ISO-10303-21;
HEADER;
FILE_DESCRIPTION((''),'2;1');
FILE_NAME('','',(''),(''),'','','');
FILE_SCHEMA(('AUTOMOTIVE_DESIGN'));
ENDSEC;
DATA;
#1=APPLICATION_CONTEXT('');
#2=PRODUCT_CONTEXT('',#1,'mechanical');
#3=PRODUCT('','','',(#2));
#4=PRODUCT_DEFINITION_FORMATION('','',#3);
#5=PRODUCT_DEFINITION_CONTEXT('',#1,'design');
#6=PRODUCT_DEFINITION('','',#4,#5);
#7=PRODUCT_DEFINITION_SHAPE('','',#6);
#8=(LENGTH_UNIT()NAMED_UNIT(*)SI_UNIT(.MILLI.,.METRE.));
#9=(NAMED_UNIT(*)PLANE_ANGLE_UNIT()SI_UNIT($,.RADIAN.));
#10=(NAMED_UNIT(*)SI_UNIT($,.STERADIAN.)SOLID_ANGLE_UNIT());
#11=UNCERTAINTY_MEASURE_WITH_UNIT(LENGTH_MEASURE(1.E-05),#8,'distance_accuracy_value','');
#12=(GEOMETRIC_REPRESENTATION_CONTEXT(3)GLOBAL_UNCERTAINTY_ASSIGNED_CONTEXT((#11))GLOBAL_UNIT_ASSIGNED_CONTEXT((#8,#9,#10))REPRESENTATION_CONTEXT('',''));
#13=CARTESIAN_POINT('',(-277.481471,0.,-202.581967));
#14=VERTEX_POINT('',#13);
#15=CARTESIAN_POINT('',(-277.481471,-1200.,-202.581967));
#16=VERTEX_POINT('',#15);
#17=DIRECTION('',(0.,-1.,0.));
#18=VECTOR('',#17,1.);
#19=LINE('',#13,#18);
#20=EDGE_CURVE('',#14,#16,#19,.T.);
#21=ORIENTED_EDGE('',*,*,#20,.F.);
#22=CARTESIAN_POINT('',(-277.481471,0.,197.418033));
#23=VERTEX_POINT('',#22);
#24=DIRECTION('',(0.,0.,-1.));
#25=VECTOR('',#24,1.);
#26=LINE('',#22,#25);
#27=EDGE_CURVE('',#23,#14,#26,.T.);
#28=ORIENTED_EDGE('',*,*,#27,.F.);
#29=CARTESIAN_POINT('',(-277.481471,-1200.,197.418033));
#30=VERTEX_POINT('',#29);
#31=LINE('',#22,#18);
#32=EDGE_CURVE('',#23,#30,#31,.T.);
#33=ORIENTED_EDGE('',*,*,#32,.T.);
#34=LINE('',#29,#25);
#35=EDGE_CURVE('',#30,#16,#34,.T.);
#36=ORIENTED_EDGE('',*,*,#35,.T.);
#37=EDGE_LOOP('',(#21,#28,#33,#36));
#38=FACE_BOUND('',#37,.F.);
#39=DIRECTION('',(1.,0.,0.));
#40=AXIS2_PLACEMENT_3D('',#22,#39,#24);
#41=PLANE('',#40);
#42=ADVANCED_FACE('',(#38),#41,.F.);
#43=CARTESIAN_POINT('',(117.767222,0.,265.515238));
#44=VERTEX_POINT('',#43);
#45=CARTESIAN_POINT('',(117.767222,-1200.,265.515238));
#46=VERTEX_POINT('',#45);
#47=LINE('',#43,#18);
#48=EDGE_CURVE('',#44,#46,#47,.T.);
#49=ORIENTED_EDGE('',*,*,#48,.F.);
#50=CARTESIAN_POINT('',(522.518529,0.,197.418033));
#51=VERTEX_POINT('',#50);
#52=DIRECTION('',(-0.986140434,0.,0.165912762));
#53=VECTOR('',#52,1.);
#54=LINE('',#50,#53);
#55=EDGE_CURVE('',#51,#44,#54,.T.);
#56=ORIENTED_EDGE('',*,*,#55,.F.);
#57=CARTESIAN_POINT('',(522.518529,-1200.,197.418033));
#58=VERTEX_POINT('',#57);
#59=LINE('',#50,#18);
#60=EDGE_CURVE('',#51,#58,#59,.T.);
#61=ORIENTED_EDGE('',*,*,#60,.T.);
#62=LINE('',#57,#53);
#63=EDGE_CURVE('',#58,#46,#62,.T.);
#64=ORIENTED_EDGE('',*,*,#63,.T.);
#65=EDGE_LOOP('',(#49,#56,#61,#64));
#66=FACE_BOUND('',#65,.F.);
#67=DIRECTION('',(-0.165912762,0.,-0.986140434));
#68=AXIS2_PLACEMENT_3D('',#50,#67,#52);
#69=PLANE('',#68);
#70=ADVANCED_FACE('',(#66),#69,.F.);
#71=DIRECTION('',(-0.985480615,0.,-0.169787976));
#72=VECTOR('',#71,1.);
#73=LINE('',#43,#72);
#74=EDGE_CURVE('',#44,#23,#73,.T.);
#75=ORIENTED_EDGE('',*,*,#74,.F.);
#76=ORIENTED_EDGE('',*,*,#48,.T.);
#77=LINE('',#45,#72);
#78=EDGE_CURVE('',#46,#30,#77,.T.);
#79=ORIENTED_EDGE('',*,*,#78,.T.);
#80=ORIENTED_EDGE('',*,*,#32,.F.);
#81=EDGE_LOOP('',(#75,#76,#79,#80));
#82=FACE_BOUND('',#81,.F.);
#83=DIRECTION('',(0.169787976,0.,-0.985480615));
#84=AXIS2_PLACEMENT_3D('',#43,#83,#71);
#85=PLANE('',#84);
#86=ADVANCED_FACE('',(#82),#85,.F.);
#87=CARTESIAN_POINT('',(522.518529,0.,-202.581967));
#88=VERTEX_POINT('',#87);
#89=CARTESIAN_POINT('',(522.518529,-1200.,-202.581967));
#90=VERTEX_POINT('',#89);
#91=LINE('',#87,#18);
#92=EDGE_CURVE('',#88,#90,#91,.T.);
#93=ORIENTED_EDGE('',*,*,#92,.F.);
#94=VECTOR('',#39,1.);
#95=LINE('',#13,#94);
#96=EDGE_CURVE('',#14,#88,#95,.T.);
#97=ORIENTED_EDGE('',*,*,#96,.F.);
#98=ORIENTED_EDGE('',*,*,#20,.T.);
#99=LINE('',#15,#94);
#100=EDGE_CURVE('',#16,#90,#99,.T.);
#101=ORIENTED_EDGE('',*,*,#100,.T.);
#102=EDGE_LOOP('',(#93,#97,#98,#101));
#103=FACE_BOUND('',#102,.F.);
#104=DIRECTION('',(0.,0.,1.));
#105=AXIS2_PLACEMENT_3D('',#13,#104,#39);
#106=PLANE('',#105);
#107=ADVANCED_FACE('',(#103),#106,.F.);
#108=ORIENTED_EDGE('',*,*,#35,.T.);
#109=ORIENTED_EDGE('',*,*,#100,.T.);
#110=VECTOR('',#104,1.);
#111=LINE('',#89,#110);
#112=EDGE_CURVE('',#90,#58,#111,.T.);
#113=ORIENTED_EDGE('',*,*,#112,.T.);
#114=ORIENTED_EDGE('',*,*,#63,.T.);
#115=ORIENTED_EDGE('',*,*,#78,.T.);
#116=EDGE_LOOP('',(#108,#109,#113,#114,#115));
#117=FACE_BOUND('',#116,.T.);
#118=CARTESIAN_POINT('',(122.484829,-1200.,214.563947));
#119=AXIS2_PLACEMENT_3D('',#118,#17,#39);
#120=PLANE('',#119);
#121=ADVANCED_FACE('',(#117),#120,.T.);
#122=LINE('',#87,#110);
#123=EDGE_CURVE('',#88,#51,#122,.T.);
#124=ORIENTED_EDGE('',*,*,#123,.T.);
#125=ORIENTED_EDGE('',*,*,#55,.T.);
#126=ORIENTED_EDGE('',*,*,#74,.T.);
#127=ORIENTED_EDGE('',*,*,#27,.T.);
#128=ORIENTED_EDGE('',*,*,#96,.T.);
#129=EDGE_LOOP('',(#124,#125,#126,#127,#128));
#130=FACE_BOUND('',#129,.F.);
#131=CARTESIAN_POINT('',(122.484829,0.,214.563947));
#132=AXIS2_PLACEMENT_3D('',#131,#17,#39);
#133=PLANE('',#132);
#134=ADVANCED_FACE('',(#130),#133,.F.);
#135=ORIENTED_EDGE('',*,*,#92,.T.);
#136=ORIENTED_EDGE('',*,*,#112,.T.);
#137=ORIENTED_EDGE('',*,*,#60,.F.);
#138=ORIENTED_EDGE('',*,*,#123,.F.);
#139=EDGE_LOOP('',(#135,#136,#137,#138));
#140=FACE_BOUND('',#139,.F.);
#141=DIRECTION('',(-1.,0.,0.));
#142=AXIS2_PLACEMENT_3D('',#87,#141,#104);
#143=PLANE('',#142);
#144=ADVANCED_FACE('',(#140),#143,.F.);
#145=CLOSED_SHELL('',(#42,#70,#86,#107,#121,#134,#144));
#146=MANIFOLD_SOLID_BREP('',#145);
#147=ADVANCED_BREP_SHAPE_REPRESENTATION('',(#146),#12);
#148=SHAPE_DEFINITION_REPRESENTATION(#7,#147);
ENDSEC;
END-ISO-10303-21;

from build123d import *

# Parameters (mm, degrees)
F1_DEPTH = 1200


with BuildPart() as f1:
    # F0 (on Front) → F1 (new body)
    with BuildSketch(Plane.XZ):
        Polygon((117.767222, 265.515238), (-277.481471, 197.418033), (122.518529, 197.418033), (522.518529, 197.418033), align=None)
        Polygon((122.518529, 197.418033), (-277.481471, 197.418033), (-277.481471, -202.581967), (522.518529, -202.581967), (522.518529, 197.418033), align=None)
    extrude(amount=F1_DEPTH)


solid = f1.part
